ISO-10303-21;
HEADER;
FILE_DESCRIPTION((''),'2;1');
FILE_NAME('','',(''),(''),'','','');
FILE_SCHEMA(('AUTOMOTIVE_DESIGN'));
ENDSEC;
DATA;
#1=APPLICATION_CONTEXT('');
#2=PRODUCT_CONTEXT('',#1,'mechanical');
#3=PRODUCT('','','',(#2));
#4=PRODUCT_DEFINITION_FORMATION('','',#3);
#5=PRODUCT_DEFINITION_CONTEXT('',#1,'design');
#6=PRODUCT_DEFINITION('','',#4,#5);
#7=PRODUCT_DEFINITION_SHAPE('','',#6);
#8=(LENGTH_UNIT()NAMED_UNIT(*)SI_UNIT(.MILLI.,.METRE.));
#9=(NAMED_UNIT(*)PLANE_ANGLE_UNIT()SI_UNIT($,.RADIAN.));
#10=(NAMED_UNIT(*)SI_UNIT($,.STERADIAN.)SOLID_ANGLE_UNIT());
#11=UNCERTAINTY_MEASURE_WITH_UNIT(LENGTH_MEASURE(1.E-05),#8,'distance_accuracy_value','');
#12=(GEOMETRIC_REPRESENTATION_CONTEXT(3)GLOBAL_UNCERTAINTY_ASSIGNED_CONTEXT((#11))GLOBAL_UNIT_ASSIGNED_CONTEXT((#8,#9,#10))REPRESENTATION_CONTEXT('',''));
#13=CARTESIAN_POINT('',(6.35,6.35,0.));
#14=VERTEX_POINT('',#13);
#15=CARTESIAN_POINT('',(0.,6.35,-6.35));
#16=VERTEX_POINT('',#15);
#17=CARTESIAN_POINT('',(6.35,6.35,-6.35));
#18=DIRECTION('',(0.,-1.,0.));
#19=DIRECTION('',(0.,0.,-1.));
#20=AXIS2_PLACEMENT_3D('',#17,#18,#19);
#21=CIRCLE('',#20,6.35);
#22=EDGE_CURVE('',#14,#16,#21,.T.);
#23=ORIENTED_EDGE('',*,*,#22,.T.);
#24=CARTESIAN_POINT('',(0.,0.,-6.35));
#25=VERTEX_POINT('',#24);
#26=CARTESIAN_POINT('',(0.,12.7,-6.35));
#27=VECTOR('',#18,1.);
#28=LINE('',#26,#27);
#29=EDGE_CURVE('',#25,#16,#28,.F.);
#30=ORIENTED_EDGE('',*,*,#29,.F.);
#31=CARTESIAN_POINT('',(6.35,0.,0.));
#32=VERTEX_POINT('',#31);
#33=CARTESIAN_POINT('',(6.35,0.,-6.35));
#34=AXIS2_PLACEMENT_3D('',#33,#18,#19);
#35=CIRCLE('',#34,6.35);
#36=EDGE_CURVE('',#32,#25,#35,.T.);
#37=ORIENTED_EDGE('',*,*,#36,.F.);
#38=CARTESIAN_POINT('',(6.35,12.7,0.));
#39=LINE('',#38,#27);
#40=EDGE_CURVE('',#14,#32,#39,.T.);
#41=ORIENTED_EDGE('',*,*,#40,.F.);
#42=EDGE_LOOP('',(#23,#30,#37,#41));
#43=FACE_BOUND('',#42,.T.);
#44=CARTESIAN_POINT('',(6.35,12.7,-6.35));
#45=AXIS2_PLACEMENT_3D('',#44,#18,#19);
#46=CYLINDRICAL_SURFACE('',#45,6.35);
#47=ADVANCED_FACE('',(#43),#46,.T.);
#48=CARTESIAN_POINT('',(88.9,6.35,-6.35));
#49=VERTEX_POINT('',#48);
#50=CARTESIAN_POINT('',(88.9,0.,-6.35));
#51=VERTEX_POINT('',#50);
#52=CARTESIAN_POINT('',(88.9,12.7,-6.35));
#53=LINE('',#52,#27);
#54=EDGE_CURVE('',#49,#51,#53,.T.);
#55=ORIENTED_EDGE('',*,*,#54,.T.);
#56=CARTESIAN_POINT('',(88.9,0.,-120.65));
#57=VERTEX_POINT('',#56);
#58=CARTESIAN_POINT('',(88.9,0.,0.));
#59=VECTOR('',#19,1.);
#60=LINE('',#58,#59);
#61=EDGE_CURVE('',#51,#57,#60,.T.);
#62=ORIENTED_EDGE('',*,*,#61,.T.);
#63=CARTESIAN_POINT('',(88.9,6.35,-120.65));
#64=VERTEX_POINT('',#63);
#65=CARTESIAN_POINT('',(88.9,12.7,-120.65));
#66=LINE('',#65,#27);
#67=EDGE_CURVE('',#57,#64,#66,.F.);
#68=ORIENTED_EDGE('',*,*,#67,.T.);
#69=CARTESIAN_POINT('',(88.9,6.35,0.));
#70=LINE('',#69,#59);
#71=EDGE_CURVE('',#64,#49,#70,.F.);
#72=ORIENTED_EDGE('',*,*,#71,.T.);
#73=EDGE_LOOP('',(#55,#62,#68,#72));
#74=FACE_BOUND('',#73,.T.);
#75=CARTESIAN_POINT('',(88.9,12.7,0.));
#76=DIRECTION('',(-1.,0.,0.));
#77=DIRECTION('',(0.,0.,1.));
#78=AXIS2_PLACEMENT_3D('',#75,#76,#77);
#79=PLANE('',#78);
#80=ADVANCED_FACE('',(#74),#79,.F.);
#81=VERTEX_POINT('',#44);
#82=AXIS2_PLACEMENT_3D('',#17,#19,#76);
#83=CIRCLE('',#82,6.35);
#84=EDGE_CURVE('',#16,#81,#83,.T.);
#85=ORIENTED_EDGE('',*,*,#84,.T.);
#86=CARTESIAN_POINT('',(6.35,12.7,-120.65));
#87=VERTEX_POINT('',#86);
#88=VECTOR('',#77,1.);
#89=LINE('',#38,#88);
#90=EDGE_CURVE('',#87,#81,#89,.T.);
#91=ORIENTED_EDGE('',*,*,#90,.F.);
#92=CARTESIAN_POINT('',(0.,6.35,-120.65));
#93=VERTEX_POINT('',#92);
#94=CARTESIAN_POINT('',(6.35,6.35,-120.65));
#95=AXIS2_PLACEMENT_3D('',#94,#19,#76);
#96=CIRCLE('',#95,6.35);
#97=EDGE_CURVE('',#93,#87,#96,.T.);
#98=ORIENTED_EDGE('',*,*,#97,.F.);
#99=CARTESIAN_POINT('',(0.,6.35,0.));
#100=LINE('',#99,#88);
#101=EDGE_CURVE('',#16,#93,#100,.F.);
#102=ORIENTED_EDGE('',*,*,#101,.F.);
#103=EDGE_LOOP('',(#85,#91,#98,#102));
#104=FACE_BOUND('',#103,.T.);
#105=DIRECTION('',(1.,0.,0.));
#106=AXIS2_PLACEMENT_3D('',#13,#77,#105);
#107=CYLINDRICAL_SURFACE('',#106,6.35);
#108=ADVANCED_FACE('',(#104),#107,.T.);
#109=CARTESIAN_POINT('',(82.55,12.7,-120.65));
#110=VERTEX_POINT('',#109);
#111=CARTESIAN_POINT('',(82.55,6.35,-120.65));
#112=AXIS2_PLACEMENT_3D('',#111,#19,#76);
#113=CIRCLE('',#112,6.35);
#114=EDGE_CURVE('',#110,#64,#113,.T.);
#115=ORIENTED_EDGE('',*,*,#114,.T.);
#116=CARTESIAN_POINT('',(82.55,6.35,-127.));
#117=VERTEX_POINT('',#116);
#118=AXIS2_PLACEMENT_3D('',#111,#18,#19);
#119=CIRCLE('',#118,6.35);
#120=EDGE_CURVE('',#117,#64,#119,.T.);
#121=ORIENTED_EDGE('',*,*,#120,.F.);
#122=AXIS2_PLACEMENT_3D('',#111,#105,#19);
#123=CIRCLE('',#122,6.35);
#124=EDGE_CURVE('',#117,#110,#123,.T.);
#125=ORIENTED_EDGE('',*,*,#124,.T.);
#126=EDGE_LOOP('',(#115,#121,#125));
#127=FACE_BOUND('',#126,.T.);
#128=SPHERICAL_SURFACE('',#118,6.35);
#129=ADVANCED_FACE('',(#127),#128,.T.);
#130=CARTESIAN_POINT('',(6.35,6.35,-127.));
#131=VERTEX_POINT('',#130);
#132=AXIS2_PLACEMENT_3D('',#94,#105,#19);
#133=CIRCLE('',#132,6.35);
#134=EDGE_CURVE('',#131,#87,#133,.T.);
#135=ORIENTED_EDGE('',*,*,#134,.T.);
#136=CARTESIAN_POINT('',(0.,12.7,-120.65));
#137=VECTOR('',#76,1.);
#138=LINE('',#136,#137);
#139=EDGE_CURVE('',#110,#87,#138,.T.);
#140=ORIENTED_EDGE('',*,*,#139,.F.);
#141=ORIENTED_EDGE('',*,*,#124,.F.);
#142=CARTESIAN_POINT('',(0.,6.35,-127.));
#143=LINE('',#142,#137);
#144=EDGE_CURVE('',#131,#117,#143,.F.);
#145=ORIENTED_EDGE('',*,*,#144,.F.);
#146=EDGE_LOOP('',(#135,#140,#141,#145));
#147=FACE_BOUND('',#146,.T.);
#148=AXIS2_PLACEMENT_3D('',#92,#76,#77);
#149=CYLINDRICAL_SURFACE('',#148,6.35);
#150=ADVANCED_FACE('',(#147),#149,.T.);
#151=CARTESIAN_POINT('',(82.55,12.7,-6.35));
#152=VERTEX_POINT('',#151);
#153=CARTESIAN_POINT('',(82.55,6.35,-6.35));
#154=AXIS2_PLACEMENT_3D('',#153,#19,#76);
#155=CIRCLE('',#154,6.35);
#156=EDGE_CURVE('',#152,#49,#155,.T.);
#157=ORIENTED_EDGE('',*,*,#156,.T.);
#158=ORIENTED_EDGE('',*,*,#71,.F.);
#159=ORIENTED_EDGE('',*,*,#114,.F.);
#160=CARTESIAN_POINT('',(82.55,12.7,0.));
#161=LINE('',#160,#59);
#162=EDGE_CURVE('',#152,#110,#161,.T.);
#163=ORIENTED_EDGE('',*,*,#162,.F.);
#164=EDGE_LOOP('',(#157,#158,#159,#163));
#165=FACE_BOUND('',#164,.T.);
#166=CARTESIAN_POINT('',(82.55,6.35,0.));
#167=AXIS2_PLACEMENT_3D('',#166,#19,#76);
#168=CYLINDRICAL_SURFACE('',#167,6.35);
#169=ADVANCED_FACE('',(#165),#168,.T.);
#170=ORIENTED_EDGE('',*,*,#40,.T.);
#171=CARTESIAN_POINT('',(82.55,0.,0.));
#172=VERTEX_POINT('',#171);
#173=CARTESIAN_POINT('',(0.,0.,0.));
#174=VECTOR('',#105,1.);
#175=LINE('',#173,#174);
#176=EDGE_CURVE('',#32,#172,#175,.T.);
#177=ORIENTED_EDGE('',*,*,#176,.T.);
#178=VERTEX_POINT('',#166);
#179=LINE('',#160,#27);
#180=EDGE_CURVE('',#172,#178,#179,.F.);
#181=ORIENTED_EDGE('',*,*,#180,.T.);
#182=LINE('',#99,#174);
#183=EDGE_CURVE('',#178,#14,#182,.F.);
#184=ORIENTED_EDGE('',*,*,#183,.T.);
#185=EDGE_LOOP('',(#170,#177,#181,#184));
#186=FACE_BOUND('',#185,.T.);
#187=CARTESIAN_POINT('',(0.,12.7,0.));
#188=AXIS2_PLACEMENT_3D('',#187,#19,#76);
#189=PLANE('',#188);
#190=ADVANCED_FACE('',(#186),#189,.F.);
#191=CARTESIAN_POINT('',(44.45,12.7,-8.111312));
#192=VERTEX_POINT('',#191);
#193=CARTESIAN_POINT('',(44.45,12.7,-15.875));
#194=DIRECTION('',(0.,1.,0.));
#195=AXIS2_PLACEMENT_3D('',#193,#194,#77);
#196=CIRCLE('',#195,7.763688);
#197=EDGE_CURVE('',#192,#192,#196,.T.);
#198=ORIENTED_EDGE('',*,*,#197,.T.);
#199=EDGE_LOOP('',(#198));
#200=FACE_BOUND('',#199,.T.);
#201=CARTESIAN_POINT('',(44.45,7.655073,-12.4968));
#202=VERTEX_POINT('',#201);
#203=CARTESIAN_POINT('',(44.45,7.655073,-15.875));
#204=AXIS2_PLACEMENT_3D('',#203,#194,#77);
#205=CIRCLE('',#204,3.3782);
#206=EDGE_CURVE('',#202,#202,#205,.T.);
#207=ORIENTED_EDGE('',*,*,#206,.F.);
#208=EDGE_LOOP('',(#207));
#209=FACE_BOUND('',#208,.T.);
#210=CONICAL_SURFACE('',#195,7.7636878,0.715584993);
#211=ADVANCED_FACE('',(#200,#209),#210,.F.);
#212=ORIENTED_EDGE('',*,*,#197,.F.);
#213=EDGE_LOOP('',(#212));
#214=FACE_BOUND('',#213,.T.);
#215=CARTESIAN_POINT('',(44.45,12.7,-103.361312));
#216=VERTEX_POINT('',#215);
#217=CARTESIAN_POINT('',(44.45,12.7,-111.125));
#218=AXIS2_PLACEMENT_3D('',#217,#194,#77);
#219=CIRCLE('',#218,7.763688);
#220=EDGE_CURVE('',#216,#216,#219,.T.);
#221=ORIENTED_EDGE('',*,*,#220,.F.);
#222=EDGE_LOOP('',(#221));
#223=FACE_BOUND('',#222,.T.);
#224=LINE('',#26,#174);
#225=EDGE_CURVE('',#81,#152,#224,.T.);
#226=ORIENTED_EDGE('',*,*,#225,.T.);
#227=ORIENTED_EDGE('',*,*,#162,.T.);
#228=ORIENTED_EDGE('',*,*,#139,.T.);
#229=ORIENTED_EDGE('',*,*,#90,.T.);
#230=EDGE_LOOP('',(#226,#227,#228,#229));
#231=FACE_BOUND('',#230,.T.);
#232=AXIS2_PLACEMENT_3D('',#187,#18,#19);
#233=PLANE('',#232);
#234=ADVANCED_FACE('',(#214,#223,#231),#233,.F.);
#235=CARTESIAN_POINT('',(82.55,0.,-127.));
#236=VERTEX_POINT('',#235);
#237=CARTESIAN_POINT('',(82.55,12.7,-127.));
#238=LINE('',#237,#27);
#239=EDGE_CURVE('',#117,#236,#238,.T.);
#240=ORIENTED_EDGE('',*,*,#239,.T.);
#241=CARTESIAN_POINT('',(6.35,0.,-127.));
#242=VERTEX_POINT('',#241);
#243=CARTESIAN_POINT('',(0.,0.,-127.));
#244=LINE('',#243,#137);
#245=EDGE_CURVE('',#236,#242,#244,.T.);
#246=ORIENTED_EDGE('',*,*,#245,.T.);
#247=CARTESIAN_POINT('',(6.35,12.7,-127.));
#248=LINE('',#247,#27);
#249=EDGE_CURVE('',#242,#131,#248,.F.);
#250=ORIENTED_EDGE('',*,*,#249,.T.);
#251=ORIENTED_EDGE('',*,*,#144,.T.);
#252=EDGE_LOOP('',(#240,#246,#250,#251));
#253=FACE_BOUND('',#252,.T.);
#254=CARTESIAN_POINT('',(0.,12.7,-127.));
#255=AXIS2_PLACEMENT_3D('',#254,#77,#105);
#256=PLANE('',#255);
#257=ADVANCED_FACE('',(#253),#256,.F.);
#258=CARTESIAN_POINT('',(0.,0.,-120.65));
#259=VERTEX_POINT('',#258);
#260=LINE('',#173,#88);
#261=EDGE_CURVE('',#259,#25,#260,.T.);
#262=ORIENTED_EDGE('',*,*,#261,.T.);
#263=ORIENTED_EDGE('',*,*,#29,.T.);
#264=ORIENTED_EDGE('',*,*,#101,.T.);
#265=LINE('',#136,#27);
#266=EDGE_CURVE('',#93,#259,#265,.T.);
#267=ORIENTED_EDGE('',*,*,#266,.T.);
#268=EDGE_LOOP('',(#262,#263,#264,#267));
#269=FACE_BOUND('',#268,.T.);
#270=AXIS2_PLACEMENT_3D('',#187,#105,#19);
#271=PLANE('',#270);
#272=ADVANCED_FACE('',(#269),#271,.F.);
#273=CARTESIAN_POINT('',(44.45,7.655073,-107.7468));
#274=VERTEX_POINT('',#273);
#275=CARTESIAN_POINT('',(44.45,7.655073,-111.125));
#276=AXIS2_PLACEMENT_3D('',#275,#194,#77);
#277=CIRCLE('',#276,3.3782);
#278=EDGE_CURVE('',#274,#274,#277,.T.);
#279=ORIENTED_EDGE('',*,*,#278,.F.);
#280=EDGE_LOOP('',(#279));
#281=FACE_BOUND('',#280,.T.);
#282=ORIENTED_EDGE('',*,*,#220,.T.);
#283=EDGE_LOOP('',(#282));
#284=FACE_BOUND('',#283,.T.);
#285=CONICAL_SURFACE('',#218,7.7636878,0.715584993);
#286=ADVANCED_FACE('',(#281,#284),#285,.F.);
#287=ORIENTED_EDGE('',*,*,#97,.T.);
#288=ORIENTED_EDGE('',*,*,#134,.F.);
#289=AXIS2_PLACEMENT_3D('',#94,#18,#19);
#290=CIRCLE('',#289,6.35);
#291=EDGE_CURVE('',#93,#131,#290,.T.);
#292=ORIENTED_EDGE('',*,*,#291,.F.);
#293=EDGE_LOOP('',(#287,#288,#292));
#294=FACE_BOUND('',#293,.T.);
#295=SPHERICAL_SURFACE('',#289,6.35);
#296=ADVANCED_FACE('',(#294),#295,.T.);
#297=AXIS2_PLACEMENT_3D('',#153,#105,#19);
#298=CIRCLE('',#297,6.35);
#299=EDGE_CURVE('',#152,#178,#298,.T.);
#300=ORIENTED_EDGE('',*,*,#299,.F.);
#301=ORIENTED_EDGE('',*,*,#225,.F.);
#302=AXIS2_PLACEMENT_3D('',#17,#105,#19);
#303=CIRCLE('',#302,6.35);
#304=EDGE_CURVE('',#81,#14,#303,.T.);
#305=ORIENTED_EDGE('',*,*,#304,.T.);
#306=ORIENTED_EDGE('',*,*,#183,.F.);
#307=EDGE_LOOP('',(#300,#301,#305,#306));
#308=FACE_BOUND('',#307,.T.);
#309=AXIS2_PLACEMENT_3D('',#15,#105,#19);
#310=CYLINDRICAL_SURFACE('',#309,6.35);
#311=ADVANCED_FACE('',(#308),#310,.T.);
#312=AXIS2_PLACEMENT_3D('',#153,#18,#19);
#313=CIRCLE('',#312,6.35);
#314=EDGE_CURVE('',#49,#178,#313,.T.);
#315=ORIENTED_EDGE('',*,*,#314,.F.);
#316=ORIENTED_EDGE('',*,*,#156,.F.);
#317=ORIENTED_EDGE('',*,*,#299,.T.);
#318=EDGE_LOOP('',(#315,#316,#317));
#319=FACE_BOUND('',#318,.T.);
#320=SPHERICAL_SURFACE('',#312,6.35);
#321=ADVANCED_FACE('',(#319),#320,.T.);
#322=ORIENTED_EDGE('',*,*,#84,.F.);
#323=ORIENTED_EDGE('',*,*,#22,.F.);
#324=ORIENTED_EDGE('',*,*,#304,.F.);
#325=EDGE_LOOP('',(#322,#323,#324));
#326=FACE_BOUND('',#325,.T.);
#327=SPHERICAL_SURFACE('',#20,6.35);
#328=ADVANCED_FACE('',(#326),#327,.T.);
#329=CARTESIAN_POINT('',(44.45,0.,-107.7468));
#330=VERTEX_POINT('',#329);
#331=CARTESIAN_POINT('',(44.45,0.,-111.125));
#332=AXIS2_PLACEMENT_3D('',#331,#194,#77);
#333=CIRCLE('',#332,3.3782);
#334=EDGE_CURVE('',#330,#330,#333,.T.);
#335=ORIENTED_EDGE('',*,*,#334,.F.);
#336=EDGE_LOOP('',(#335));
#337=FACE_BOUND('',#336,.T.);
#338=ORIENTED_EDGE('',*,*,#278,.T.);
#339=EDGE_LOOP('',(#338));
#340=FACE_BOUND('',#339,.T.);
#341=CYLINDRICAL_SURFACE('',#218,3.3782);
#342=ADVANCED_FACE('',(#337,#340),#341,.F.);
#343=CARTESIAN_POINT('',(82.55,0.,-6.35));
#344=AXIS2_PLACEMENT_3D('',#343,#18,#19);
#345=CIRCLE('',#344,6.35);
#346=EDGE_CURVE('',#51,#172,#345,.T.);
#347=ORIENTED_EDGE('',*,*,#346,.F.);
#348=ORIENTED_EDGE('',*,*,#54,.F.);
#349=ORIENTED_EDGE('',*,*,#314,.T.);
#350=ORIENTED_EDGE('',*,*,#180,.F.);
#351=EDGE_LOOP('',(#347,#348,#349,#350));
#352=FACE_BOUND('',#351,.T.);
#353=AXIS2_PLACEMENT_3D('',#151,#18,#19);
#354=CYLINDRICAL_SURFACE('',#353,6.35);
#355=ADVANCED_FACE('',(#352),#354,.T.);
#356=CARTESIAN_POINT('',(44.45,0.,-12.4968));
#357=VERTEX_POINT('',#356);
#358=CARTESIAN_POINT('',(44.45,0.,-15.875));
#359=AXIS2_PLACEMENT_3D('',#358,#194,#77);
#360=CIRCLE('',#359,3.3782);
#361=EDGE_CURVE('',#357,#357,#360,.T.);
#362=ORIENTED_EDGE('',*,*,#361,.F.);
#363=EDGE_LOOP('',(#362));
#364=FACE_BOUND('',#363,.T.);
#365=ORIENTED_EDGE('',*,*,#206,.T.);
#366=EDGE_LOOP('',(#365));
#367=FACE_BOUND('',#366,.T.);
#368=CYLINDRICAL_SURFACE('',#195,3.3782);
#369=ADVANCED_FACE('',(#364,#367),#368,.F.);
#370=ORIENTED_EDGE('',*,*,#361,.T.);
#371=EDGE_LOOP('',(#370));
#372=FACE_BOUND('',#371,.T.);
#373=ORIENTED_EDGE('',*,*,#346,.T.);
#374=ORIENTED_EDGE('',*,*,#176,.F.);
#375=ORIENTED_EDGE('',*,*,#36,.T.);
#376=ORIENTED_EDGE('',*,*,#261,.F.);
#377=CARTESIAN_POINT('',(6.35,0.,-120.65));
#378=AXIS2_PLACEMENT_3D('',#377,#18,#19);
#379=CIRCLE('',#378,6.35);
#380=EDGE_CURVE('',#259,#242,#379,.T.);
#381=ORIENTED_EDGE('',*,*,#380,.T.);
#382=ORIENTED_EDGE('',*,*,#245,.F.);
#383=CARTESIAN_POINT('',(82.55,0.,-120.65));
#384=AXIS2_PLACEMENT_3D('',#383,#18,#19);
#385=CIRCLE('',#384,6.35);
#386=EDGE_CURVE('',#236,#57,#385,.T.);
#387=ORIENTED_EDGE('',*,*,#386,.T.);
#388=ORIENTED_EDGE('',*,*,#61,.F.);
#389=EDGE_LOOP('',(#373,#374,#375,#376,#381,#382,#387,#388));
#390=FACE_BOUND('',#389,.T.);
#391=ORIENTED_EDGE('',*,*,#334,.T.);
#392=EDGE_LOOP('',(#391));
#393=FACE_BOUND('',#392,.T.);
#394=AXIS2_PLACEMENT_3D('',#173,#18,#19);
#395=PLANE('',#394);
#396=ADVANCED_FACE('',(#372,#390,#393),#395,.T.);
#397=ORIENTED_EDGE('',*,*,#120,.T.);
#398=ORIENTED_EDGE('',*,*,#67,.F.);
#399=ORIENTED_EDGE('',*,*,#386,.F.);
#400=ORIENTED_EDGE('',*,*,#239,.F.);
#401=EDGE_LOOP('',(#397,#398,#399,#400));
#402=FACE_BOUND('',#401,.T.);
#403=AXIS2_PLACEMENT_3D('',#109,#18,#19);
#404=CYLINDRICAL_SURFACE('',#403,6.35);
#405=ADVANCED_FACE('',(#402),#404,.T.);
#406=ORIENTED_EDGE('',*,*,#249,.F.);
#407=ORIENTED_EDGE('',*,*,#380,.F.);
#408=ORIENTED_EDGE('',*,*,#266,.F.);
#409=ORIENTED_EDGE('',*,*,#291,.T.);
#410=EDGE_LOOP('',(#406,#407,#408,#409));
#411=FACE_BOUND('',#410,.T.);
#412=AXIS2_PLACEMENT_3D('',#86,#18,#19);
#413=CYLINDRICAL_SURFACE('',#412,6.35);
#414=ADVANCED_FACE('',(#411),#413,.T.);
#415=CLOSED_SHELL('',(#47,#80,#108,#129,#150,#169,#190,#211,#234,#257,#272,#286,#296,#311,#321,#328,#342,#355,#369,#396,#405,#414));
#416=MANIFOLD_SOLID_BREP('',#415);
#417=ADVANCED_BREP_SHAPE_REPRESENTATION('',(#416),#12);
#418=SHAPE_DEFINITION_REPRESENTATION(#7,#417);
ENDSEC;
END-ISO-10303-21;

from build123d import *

# Parameters (mm, degrees)
SKETCH1_W                                        = 88.9
SKETCH1_H                                        = 127
BOSS_EXTRUDE1_DEPTH                              = 12.7
CSK_FOR_1_4_FLAT_HEAD_MACHINE_SCREW1_D           = 6.7564
CSK_FOR_1_4_FLAT_HEAD_MACHINE_SCREW1_CSINK_D     = 15.5273756
CSK_FOR_1_4_FLAT_HEAD_MACHINE_SCREW1_CSINK_ANGLE = 82
FILLET1_R                                        = 6.35
FILLET2_R                                        = 6.35


with BuildPart() as part:
    # Sketch1 → Boss-Extrude1 (new body)
    with BuildSketch(Plane(origin=(0, 0, 0), x_dir=(1, 0, 0), z_dir=(0, 1, 0))):
        with Locations((44.45, 63.5)):
            Rectangle(SKETCH1_W, SKETCH1_H)
    extrude(amount=BOSS_EXTRUDE1_DEPTH)

    # CSK for 1/4 Flat Head Machine Screw1 (through all)
    with Locations(Plane(origin=(0, 12.7, 0), x_dir=(-1, 0, 0), z_dir=(0, 1, 0))):
        with Locations((-44.45, -15.875), (-44.45, -111.125)):
            CounterSinkHole(CSK_FOR_1_4_FLAT_HEAD_MACHINE_SCREW1_D / 2, CSK_FOR_1_4_FLAT_HEAD_MACHINE_SCREW1_CSINK_D / 2, counter_sink_angle=CSK_FOR_1_4_FLAT_HEAD_MACHINE_SCREW1_CSINK_ANGLE)

    # Fillet1
    fillet1_edges = [part.edges().sort_by_distance(p)[0] for p in [
        (0, 6.35, -127),
        (88.9, 6.35, -127),
        (88.9, 6.35, 0),
        (0, 6.35, 0),
    ]]
    fillet(fillet1_edges, radius=FILLET1_R)

    # Fillet2
    fillet2_edges = [part.edges().sort_by_distance(p)[0] for p in [
        (44.45, 12.7, 0),
        (0, 12.7, -63.5),
        (88.9, 12.7, -63.5),
        (44.45, 12.7, -127),
        (87.040128061, 12.7, -125.140128061),
        (87.040128061, 12.7, -1.859871939),
        (1.859871939, 12.7, -125.140128061),
        (1.859871939, 12.7, -1.859871939),
    ]]
    fillet(fillet2_edges, radius=FILLET2_R)


solid = part.part
